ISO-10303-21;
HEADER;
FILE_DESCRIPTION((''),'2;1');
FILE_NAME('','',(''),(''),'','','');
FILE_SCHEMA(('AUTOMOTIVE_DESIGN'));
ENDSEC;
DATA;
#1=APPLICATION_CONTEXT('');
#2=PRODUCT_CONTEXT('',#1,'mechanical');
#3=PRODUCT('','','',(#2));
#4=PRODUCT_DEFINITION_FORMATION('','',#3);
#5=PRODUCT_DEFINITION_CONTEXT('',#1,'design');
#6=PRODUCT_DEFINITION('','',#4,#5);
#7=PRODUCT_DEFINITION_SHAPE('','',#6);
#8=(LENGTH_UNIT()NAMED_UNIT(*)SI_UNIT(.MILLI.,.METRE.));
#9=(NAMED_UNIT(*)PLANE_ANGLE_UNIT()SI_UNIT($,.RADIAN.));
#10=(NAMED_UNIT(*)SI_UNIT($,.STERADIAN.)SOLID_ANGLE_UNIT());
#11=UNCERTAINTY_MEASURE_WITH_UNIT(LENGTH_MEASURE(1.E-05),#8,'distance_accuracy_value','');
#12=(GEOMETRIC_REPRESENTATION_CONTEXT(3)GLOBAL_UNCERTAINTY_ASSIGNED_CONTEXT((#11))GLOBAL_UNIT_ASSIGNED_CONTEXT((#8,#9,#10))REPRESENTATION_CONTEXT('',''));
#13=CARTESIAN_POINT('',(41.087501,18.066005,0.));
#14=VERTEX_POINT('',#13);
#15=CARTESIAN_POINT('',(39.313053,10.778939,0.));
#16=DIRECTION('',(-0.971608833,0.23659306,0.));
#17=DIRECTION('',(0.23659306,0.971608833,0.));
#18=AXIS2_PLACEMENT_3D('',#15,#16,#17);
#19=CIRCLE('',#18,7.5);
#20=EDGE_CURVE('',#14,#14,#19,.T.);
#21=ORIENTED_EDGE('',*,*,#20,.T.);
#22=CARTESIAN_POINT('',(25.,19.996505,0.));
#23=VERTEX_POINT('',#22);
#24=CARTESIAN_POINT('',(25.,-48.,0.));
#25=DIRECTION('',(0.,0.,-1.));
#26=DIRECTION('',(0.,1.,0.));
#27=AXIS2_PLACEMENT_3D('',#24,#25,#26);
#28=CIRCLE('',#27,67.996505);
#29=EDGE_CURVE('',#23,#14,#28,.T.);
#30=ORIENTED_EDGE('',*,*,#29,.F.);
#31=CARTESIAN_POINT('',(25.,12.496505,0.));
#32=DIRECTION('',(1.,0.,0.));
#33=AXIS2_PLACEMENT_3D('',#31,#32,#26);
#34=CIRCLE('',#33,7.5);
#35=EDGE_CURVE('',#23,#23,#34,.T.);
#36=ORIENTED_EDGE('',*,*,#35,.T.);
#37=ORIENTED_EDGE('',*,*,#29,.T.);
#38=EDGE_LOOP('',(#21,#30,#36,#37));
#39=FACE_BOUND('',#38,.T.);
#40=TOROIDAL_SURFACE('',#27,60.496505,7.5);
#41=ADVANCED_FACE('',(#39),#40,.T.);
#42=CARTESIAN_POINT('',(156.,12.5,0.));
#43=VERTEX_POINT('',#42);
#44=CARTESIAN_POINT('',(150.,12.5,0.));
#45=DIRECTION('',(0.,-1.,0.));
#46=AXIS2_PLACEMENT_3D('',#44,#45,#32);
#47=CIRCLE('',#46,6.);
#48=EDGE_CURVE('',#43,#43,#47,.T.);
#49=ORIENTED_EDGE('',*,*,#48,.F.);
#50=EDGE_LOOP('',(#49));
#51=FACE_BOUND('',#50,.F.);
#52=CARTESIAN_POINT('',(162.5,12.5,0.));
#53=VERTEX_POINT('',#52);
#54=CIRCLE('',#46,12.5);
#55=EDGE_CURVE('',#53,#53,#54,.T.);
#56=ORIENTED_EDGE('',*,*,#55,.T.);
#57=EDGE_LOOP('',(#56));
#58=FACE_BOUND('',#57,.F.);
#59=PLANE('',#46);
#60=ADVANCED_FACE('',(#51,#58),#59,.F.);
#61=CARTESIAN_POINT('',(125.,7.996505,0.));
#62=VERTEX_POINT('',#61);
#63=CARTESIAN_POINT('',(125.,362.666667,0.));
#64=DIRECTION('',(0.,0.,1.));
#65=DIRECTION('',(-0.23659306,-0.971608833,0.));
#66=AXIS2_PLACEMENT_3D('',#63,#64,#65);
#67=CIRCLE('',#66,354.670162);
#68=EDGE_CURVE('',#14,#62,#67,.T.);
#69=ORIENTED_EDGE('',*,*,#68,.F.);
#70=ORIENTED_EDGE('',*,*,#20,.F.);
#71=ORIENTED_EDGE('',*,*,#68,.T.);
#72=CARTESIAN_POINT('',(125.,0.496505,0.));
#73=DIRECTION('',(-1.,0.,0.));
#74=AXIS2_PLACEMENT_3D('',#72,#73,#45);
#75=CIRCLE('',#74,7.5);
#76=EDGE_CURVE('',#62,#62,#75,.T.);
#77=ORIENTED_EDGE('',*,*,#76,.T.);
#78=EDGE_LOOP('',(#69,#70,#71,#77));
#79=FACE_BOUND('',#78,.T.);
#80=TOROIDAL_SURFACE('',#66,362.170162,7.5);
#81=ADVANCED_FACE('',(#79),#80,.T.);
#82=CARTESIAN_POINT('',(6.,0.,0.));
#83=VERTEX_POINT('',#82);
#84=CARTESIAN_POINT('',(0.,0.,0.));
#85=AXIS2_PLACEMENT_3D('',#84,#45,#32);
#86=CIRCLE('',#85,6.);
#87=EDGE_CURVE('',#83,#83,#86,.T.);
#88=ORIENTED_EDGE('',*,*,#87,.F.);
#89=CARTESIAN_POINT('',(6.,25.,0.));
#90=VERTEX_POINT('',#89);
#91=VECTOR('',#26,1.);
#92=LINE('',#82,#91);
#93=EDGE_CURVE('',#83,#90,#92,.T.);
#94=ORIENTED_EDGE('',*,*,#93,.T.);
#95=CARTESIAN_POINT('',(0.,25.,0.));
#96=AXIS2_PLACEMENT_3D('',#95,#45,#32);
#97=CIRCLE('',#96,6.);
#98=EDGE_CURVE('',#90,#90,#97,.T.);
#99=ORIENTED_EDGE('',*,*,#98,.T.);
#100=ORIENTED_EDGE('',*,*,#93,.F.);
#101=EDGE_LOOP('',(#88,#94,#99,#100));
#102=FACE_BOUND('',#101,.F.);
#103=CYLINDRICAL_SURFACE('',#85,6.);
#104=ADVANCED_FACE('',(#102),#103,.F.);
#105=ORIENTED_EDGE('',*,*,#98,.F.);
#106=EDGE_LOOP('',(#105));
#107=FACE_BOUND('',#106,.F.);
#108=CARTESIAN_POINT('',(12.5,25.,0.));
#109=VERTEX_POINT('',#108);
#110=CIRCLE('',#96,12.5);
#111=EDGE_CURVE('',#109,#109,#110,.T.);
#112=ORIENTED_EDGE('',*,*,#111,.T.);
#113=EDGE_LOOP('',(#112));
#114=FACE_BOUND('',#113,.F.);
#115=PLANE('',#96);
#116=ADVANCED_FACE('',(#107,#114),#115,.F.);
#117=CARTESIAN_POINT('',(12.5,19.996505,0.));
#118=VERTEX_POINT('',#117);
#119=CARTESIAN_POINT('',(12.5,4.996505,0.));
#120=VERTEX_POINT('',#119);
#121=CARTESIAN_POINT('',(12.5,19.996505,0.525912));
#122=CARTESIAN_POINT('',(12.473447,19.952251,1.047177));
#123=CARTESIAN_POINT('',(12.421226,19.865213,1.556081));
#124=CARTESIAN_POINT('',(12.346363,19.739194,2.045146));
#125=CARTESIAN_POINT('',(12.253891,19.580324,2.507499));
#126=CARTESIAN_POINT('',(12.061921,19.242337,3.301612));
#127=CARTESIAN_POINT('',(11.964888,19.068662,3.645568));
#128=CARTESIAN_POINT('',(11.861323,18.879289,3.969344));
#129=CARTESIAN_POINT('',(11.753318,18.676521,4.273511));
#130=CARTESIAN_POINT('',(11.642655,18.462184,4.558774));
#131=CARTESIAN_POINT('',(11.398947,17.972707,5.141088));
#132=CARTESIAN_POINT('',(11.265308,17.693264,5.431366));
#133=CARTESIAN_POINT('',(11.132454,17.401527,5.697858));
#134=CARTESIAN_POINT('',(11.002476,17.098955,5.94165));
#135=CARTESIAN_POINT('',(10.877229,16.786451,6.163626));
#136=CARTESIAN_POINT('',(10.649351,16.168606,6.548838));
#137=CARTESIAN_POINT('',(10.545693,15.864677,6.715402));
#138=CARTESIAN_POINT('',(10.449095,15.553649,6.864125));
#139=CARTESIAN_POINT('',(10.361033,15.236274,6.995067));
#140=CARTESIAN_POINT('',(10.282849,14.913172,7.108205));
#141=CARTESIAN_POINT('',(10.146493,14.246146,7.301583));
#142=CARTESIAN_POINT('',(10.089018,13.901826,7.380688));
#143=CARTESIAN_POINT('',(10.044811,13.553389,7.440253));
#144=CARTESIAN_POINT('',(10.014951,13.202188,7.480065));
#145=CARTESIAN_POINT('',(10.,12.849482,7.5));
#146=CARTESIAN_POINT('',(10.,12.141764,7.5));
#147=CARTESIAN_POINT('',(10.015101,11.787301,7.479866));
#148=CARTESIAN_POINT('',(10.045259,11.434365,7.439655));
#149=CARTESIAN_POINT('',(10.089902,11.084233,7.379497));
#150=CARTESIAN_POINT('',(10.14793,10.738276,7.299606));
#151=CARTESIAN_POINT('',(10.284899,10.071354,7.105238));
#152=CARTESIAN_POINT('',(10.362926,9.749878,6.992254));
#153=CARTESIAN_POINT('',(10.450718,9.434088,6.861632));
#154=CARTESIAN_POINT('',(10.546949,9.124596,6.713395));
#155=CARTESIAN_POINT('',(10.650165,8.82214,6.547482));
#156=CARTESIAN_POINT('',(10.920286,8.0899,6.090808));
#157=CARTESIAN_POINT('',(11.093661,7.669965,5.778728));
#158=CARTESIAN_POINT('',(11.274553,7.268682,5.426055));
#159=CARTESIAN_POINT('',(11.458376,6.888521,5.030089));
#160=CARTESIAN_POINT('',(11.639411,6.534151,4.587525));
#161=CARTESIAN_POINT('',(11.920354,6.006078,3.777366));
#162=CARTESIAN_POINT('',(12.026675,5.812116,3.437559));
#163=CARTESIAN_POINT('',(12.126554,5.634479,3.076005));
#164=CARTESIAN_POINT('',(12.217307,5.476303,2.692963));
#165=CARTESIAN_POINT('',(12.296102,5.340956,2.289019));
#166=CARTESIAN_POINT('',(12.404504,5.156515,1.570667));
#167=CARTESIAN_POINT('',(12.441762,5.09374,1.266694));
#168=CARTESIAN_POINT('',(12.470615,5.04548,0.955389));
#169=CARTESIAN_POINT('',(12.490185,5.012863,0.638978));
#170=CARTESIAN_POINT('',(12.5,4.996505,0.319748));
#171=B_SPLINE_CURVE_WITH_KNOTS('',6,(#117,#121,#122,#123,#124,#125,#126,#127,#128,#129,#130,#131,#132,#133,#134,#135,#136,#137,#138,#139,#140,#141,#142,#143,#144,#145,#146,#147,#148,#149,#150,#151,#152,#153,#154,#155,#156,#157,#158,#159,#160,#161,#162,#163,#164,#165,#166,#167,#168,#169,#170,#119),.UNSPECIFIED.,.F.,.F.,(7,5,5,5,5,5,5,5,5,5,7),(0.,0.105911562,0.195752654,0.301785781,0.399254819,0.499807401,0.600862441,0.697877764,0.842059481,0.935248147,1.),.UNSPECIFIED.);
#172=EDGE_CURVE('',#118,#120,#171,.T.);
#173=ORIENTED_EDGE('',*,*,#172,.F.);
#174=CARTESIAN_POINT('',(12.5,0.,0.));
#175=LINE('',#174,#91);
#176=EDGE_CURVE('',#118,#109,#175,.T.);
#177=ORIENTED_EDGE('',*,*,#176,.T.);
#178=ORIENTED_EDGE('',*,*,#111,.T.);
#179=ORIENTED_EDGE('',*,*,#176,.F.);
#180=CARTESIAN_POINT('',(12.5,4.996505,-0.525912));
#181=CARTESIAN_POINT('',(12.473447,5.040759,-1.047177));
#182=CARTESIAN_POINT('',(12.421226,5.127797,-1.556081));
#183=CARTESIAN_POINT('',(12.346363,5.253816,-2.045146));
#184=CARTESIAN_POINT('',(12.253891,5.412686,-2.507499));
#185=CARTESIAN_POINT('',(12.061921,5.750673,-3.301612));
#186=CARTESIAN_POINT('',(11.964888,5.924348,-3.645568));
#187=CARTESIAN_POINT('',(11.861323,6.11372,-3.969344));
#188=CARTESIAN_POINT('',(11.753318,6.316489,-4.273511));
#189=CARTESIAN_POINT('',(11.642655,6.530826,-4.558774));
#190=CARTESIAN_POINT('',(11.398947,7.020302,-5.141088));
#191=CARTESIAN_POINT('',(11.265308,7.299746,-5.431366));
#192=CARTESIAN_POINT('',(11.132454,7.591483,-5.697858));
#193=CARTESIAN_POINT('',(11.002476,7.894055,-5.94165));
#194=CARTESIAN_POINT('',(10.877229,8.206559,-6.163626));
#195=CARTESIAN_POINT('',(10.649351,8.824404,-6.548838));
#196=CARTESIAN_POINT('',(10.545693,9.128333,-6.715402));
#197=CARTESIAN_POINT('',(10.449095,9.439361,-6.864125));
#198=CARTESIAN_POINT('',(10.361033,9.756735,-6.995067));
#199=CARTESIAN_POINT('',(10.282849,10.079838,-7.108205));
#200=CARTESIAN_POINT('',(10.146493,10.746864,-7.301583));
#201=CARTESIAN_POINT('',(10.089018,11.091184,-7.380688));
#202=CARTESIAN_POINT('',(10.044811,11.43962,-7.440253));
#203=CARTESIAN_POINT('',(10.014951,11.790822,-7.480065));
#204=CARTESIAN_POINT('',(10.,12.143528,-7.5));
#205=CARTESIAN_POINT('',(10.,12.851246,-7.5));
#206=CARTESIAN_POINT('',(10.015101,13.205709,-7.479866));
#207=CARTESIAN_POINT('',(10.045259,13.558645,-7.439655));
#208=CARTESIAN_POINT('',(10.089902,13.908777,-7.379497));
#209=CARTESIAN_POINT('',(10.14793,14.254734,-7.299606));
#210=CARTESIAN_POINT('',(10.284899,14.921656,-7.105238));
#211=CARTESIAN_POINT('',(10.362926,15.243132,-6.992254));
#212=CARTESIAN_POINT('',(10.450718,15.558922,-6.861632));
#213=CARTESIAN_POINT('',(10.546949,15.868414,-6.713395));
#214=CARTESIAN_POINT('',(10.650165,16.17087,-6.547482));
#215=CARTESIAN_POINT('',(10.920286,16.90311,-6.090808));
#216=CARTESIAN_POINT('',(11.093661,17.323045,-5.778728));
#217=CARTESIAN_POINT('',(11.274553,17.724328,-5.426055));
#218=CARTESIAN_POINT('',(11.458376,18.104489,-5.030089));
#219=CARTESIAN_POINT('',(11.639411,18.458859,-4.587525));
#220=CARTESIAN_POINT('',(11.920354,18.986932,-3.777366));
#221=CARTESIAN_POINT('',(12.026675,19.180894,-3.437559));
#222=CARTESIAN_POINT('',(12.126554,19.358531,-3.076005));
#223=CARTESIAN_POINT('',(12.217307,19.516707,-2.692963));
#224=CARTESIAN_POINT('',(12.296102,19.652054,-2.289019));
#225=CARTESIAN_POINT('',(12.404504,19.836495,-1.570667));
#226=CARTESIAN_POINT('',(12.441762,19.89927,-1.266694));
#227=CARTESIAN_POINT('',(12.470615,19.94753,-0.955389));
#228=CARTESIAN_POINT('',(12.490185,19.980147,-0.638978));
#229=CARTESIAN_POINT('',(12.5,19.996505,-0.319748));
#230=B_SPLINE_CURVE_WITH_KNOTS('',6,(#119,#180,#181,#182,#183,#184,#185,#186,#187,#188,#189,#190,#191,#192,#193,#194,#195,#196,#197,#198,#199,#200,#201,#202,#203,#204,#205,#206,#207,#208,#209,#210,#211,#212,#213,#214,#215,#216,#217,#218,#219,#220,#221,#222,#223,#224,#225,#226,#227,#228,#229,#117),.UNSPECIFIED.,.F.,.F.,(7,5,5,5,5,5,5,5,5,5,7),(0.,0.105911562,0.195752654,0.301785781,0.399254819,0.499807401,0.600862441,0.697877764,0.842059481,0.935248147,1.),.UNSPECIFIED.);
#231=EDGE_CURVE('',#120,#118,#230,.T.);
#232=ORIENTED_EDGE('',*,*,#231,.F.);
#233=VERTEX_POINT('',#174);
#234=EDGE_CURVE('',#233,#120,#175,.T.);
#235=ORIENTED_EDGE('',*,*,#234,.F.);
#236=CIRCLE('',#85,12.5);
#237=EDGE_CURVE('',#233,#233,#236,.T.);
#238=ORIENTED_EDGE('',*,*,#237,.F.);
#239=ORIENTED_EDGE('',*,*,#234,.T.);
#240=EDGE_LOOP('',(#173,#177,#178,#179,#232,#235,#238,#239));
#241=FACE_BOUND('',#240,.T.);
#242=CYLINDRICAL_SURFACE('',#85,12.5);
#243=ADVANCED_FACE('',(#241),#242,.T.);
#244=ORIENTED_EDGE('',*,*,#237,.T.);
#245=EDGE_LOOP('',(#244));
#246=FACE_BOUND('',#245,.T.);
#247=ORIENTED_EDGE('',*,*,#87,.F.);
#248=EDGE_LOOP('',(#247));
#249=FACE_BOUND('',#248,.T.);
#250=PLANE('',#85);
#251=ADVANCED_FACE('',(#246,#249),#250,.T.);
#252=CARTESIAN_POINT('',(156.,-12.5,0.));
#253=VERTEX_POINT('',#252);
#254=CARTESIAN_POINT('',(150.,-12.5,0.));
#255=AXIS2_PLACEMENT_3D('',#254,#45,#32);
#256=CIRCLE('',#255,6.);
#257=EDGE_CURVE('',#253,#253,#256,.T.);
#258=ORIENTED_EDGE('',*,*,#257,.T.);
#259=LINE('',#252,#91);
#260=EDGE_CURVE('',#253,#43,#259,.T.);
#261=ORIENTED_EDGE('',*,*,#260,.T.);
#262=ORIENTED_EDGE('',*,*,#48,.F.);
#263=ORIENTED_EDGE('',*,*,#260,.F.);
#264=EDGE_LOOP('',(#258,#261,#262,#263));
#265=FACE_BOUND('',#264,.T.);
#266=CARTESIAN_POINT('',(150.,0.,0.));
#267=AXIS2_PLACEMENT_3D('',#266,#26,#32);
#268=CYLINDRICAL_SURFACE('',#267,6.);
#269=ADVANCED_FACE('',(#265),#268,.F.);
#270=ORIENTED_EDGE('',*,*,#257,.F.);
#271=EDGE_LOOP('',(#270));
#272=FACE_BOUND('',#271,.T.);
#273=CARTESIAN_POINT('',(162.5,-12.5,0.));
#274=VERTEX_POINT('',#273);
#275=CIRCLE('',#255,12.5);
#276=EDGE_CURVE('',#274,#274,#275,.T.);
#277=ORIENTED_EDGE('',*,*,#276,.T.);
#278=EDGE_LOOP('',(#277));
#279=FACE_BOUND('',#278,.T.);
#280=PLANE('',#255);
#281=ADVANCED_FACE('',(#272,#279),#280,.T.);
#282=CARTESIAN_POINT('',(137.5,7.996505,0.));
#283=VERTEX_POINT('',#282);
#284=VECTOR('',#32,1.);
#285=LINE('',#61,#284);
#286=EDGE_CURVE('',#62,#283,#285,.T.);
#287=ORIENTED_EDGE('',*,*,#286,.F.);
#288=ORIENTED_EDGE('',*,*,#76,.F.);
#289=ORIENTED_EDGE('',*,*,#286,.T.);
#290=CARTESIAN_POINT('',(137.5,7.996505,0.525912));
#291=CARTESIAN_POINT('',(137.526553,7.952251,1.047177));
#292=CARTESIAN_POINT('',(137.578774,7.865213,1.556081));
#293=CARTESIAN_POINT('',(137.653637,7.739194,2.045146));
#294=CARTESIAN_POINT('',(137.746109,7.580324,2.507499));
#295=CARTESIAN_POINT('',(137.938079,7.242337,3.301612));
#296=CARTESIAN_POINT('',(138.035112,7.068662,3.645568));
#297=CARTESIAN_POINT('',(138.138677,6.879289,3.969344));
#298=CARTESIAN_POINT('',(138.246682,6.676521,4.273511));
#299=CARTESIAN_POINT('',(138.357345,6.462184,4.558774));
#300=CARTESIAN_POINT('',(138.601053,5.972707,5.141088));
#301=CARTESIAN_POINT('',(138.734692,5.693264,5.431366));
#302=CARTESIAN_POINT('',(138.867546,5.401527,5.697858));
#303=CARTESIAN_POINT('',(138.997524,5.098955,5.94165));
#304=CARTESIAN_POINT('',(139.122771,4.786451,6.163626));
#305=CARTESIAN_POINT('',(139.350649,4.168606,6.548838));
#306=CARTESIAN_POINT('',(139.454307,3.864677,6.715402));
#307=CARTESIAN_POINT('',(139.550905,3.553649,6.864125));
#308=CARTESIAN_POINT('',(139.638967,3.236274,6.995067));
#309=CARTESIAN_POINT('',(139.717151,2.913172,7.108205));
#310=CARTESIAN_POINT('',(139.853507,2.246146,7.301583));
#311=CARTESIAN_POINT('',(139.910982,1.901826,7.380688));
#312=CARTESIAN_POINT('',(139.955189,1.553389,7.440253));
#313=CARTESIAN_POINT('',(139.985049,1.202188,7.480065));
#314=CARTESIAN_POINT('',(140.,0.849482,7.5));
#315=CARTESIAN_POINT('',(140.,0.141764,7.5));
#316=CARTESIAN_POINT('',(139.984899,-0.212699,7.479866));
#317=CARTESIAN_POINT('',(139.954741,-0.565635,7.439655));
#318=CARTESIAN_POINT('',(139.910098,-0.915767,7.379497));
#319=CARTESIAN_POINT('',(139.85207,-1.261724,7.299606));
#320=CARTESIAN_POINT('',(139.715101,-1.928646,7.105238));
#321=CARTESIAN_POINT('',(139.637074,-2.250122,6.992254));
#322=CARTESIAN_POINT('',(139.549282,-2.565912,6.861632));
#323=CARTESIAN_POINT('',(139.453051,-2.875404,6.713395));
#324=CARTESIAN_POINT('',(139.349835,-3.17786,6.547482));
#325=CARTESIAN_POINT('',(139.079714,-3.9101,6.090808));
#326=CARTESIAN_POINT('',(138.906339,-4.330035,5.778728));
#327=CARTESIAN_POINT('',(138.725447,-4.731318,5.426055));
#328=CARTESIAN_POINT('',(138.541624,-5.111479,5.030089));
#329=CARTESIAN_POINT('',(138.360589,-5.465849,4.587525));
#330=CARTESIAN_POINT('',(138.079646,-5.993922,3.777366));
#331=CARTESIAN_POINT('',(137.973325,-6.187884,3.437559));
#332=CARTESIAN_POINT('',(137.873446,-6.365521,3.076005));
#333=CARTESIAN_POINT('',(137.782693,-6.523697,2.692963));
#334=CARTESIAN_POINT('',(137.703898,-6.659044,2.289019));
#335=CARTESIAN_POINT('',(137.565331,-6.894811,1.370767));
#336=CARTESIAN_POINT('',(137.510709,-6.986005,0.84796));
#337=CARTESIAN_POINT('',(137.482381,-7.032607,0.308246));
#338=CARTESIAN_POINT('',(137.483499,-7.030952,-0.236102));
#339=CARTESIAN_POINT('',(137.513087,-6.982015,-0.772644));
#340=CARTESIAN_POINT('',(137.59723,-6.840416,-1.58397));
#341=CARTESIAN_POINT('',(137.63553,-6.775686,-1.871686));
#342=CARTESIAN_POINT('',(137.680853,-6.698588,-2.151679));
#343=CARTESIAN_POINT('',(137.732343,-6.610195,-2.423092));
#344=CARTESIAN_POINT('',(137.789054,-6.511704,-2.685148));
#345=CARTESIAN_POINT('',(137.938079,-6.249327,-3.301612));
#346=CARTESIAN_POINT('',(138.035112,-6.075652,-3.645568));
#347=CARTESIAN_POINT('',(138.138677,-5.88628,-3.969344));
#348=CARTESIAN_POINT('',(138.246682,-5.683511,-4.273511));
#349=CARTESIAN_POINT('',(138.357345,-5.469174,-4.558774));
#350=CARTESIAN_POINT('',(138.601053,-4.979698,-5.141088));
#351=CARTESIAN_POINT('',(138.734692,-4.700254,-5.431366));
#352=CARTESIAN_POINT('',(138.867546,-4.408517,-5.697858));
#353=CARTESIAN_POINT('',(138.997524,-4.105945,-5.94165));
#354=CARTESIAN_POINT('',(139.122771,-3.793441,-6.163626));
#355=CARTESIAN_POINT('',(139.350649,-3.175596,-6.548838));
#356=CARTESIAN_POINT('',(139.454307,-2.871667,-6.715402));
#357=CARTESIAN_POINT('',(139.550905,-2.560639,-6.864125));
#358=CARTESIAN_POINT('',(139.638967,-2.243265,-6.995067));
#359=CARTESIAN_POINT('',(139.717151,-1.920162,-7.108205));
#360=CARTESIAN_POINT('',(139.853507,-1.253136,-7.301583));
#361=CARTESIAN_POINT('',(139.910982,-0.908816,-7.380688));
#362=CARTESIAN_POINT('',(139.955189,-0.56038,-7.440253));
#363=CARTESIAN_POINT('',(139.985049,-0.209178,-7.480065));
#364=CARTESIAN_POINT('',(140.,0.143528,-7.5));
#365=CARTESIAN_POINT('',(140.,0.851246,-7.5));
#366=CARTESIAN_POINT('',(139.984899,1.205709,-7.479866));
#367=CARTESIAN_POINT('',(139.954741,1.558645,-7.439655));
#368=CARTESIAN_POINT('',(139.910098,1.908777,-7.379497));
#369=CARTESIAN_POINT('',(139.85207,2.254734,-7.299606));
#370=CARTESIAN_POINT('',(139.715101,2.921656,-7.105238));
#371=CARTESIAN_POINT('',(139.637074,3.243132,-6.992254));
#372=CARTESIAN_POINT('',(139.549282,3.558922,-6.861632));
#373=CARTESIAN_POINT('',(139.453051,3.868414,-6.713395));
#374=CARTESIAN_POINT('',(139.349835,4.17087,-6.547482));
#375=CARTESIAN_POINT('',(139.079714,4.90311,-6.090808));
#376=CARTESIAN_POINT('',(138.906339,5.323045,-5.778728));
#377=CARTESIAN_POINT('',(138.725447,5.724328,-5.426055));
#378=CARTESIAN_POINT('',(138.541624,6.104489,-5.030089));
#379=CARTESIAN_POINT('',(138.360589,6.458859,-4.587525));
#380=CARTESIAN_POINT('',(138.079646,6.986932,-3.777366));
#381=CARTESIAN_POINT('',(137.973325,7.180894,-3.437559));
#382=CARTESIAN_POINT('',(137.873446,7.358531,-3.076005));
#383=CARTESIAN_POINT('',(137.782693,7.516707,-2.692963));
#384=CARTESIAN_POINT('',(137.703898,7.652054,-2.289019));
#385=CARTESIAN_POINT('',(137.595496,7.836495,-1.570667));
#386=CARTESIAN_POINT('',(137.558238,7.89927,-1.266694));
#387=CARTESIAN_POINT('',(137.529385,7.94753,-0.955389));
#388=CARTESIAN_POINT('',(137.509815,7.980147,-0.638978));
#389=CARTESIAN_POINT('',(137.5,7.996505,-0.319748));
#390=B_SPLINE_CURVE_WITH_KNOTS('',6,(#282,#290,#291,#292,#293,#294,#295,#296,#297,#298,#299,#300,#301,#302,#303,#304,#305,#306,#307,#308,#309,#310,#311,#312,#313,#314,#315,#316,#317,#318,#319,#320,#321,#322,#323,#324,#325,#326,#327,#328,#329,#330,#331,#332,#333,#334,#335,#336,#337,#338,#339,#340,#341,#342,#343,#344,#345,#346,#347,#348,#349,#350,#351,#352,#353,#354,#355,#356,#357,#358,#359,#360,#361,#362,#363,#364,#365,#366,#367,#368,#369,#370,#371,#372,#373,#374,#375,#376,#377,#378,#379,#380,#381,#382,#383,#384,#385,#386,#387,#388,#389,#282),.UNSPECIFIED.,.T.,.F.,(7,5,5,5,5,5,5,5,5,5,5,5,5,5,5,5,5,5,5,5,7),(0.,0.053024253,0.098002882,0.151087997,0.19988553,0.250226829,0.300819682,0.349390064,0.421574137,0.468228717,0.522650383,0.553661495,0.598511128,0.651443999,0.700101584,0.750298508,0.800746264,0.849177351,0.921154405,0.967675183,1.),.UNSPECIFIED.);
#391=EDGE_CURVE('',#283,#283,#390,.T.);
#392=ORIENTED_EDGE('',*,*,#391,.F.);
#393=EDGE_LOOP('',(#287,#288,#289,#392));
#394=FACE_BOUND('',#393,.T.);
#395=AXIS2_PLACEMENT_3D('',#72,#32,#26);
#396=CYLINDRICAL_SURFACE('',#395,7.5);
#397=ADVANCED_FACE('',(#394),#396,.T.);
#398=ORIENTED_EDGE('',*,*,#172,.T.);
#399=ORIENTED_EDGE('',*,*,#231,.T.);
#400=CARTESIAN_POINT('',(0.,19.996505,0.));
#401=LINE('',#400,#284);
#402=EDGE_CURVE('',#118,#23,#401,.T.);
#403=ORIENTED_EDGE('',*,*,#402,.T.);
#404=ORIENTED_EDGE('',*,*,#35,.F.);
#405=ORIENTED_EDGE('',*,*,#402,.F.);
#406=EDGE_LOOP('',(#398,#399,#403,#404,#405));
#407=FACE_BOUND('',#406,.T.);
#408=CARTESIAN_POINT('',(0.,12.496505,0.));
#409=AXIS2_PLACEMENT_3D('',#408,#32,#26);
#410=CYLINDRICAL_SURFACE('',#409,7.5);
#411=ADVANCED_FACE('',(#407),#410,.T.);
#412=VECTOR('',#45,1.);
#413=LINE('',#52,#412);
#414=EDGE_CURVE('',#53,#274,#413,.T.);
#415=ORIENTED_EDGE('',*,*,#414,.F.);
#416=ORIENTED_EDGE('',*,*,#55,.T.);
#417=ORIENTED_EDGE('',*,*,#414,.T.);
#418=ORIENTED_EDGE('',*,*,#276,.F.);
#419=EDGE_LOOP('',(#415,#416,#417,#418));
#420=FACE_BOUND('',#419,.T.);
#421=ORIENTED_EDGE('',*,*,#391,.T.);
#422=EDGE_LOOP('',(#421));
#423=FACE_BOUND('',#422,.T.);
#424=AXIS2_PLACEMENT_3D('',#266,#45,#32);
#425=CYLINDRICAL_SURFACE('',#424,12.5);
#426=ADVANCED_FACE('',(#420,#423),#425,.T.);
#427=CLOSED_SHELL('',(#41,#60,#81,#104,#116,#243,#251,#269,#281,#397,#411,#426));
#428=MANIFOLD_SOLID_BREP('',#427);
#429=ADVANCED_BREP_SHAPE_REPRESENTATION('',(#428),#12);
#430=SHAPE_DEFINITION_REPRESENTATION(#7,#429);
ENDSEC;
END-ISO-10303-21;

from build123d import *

# Parameters (mm, degrees)
F0_R     = 12.5
F0_R_2   = 6
F1_DEPTH = 25
F2_R     = 12.5
F2_R_2   = 6
F3_DEPTH = 12.5
F5_R     = 7.5
F7_DEPTH = 25.0010001
F8_DEPTH = 25


with BuildPart() as f1:
    # F0 (on Front) → F1 (new body)
    with BuildSketch(Plane.XZ):
        Circle(F0_R)
        Circle(F0_R_2, mode=Mode.SUBTRACT)
    extrude(amount=-F1_DEPTH)



with BuildPart() as f3:
    # F2 (on Front) → F3 (new body, symmetric)
    with BuildSketch(Plane.XZ):
        with Locations((150, 0)):
            Circle(F2_R)
        with Locations((150, 0)):
            Circle(F2_R_2, mode=Mode.SUBTRACT)
    extrude(amount=F3_DEPTH, both=True)


with BuildPart() as f1_1:
    add(f1.part)

    add(f3.part)  # F6 merges F3
    # F6: sweep along a path in F4
    with BuildLine(Plane.XY) as f6_path:
        Line((0, 12), (25, 12))
        ThreePointArc((25, 12), (32.1487132371, 11.5726103092), (39.1955835962, 10.2965299685))
        ThreePointArc((39.1955835962, 10.2965299685), (81.789999989, 2.5833332421), (125, 0))
        Line((125, 0), (150, 0))
    # F5 (on Right) → F6 (sweep)
    with BuildSketch(Plane.YZ):
        with Locations((12.4965049244, 0)):
            Circle(F5_R)
    sweep(path=f6_path.line)

    # F0 (on Front) → F7 (cut, through all)
    with BuildSketch(Plane.XZ):
        Circle(F0_R_2)
    extrude(amount=-F7_DEPTH, mode=Mode.SUBTRACT)

    # F2 (on Front) → F8 (cut, symmetric)
    with BuildSketch(Plane.XZ):
        with Locations((150, 0)):
            Circle(F2_R_2)
    extrude(amount=F8_DEPTH, both=True, mode=Mode.SUBTRACT)


solid = f1_1.part
